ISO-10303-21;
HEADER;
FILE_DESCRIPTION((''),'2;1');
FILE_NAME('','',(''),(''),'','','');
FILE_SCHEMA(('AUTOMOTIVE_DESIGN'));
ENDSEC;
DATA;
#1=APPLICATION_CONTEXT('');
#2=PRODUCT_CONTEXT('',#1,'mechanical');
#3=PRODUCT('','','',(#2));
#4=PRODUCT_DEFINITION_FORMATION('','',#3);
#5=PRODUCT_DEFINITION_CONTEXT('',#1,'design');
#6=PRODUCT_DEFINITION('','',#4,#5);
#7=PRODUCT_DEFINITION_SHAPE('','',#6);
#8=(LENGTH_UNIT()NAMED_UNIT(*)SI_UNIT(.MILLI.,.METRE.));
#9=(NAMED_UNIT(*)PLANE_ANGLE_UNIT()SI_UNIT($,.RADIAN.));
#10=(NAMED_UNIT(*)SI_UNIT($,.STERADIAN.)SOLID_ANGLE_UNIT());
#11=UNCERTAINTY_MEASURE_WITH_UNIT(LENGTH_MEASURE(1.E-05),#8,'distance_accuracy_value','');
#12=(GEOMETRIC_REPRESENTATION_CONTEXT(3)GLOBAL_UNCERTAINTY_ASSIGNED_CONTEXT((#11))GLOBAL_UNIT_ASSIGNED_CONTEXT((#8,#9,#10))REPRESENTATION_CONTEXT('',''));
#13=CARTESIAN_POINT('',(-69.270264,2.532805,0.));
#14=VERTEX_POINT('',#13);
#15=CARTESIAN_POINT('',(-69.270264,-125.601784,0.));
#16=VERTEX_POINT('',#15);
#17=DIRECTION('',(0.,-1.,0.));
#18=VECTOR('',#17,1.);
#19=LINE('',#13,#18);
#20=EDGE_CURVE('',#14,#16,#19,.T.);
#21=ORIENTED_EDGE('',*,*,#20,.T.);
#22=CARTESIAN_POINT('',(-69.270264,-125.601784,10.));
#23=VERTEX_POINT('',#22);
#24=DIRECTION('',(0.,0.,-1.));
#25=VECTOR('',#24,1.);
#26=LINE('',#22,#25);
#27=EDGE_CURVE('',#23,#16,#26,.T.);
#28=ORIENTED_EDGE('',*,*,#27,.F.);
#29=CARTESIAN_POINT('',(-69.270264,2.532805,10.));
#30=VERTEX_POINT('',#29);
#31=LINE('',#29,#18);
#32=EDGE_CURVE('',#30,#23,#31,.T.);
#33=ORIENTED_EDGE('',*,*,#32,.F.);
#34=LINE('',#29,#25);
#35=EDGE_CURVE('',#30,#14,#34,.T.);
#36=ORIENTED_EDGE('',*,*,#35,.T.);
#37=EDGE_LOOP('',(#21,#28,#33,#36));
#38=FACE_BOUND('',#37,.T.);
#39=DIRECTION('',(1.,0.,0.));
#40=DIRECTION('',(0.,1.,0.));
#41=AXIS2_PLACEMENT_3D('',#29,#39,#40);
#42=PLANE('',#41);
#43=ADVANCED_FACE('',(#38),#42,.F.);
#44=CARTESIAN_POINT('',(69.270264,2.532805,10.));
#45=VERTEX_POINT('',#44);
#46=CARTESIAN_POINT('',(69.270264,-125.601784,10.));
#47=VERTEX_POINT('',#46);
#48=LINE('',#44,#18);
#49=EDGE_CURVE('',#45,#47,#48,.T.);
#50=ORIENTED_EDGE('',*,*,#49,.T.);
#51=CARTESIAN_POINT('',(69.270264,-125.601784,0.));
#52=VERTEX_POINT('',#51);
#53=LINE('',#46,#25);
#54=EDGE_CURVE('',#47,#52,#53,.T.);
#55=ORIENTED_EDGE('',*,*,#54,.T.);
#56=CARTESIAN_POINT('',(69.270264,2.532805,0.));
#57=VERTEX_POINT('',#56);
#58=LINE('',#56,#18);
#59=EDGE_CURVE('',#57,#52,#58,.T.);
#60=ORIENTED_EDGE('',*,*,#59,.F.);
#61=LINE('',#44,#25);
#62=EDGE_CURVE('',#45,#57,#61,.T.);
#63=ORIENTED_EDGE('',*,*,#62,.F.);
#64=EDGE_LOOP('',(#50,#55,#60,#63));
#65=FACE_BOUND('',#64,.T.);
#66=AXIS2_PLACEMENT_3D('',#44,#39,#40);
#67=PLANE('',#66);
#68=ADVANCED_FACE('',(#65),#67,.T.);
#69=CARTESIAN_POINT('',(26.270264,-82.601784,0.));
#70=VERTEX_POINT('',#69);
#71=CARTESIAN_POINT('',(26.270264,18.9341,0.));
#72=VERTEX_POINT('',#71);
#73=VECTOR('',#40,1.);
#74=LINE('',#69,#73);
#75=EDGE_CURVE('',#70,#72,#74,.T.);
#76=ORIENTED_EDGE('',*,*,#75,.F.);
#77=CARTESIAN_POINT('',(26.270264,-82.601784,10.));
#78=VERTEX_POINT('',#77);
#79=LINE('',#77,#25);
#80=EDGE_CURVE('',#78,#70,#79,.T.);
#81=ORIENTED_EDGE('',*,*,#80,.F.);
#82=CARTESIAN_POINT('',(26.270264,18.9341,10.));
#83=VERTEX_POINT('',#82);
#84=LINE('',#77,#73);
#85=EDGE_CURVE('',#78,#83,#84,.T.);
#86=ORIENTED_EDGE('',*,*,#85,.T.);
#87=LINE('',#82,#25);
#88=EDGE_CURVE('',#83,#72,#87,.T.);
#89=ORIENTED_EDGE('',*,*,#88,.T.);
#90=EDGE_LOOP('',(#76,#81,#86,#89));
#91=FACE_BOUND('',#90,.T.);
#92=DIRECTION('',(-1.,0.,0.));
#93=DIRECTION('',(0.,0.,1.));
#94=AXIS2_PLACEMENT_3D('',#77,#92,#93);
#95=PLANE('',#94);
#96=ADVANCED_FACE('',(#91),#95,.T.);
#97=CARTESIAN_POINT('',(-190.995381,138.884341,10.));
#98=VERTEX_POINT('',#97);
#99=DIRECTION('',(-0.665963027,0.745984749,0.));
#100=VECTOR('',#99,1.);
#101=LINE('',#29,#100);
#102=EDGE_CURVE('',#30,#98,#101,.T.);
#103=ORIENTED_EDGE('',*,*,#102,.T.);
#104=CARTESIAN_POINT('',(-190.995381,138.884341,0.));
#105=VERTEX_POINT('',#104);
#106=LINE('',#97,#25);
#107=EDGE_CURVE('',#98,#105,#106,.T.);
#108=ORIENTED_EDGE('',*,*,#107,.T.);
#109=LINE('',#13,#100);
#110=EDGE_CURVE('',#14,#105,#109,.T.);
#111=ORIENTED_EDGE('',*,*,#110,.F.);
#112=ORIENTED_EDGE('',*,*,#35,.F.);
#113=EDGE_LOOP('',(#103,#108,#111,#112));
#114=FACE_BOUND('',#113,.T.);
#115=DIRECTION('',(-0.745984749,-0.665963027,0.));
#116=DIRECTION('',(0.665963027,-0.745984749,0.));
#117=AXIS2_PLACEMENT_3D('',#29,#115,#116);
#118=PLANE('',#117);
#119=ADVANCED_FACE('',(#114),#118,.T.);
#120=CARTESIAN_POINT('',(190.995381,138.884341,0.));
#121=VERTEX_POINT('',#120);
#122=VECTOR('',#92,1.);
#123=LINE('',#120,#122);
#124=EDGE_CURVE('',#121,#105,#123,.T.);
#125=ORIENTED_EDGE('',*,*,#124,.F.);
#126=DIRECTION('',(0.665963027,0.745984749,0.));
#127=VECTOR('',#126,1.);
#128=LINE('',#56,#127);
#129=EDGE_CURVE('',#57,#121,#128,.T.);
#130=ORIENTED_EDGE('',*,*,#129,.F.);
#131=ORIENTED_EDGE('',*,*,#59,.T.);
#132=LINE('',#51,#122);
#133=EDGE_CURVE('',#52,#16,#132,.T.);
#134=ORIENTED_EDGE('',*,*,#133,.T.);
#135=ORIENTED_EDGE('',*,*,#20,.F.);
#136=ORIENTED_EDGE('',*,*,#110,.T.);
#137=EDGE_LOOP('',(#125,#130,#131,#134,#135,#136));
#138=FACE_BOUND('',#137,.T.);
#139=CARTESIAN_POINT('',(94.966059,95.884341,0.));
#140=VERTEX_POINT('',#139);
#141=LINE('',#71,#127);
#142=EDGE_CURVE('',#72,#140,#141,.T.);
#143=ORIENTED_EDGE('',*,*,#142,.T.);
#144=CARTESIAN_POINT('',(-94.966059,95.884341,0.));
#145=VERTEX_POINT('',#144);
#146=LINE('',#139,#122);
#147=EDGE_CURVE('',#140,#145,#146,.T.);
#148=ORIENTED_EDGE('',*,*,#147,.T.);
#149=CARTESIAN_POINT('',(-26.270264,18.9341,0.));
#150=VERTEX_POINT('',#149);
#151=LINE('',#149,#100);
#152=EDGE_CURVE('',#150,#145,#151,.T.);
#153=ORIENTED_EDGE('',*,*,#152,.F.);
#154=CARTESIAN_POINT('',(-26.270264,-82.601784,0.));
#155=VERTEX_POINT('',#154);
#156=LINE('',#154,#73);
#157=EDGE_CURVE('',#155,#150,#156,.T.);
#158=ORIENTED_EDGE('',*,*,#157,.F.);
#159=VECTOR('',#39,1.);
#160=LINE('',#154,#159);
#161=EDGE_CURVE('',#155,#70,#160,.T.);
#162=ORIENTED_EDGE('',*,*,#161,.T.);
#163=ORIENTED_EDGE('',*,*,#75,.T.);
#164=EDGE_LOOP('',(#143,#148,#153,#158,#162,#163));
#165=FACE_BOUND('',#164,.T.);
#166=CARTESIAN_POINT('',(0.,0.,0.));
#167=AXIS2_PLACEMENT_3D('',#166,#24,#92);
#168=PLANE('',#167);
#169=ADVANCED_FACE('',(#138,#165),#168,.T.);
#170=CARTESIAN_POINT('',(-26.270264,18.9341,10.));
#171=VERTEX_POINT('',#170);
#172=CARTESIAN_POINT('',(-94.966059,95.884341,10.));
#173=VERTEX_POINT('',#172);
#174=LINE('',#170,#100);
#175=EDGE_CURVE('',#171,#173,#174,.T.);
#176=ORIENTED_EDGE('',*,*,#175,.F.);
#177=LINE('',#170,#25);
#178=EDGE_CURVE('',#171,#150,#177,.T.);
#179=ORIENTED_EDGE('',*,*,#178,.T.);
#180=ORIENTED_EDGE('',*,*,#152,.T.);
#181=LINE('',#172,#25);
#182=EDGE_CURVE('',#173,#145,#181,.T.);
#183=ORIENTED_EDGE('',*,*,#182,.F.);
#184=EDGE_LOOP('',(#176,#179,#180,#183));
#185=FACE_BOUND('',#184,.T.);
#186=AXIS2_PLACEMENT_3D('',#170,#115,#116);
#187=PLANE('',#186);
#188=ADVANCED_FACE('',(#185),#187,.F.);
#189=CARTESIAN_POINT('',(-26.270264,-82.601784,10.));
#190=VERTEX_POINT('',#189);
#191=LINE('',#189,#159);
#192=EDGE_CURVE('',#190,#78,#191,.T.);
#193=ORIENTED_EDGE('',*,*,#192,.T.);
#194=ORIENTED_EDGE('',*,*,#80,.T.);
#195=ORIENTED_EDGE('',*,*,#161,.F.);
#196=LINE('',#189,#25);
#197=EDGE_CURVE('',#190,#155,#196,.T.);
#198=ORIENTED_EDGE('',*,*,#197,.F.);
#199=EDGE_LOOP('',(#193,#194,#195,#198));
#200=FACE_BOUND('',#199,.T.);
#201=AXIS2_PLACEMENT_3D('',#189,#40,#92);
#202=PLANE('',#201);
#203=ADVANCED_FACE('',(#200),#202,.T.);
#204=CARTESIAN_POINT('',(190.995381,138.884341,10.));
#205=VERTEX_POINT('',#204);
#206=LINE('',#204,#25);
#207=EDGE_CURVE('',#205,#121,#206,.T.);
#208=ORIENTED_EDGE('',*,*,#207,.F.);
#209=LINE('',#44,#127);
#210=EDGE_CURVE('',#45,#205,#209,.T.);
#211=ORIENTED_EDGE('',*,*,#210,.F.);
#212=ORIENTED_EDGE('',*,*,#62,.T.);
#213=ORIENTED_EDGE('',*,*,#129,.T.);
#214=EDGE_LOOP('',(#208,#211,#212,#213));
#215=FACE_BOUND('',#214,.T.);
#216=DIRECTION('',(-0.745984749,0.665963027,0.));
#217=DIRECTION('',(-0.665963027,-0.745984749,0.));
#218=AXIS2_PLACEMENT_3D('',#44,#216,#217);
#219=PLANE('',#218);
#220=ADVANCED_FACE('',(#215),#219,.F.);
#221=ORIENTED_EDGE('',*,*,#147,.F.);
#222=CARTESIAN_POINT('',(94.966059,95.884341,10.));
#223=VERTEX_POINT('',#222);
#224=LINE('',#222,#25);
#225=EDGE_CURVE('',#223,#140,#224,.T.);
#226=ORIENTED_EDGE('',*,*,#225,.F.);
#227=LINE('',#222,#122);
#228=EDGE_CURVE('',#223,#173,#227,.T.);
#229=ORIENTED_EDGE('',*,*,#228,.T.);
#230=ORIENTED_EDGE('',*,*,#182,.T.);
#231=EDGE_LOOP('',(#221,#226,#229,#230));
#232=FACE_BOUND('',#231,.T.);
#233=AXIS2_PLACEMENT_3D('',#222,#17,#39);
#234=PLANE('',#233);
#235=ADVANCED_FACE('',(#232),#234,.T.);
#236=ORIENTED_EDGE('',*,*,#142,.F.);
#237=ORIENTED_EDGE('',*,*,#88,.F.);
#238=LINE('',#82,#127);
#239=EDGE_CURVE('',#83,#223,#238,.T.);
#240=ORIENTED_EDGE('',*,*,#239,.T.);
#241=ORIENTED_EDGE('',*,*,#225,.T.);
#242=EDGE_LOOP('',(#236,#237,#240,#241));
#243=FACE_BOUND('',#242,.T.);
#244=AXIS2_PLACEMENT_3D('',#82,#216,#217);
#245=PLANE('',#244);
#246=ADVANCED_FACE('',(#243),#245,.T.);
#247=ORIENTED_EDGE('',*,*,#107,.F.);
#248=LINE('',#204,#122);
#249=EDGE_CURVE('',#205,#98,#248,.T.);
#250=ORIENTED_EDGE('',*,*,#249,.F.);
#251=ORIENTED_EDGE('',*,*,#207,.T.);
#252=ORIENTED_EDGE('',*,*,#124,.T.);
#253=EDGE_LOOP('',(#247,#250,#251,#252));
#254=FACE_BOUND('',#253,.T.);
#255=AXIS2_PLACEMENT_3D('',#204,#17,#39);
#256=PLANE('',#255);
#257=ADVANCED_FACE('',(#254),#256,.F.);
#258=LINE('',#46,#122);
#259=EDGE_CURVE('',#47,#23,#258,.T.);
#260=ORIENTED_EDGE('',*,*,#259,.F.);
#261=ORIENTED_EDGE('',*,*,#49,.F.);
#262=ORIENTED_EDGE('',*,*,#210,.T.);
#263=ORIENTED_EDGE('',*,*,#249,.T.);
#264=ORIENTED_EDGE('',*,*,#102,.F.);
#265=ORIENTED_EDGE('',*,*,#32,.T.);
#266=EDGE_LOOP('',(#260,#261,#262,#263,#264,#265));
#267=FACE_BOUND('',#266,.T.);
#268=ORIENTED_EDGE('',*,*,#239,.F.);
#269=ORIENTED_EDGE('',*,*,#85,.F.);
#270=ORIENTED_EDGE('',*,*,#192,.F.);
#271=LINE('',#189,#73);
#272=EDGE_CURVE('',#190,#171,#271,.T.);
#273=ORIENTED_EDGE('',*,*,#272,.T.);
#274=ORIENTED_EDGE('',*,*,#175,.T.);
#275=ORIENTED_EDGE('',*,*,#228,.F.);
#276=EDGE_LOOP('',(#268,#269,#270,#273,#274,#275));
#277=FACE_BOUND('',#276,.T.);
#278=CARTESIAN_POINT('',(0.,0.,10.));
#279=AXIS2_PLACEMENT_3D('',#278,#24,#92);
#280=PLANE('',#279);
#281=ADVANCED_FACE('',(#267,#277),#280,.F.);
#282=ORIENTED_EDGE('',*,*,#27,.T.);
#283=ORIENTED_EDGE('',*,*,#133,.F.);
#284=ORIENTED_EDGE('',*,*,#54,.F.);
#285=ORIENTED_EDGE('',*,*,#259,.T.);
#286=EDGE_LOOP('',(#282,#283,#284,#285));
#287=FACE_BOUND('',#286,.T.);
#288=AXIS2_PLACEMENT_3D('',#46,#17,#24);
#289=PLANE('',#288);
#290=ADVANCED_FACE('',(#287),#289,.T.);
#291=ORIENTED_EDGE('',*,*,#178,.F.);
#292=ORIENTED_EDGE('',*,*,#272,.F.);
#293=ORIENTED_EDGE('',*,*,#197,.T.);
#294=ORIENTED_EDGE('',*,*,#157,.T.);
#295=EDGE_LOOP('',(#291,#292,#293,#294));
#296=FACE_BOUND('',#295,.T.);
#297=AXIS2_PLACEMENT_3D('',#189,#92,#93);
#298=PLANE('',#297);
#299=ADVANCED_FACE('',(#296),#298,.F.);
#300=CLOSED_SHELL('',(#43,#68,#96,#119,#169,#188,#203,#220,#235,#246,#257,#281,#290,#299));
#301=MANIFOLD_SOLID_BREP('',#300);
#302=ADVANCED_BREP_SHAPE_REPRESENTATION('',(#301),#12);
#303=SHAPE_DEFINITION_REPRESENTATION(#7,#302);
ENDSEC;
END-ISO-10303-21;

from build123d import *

# Parameters (mm, degrees)
EXTRUDE_2_DEPTH = 10


with BuildPart() as part:
    # Эскиз5 → Бобышка-Вытянуть2 (new body)
    with BuildSketch(Plane.XY):
        Polygon((69.270264014, 2.532805315), (69.270264014, -125.60178411), (-69.270264014, -125.60178411), (-69.270264014, 2.532805315), (-190.995381487, 138.884340659), (190.995381487, 138.884340659), align=None)
        Polygon((-26.270264014, -82.60178411), (26.270264014, -82.60178411), (26.270264014, 18.934099876), (94.96605886, 95.884340659), (-94.96605886, 95.884340659), (-26.270264014, 18.934099876), align=None, mode=Mode.SUBTRACT)
    extrude(amount=EXTRUDE_2_DEPTH)


solid = part.part
